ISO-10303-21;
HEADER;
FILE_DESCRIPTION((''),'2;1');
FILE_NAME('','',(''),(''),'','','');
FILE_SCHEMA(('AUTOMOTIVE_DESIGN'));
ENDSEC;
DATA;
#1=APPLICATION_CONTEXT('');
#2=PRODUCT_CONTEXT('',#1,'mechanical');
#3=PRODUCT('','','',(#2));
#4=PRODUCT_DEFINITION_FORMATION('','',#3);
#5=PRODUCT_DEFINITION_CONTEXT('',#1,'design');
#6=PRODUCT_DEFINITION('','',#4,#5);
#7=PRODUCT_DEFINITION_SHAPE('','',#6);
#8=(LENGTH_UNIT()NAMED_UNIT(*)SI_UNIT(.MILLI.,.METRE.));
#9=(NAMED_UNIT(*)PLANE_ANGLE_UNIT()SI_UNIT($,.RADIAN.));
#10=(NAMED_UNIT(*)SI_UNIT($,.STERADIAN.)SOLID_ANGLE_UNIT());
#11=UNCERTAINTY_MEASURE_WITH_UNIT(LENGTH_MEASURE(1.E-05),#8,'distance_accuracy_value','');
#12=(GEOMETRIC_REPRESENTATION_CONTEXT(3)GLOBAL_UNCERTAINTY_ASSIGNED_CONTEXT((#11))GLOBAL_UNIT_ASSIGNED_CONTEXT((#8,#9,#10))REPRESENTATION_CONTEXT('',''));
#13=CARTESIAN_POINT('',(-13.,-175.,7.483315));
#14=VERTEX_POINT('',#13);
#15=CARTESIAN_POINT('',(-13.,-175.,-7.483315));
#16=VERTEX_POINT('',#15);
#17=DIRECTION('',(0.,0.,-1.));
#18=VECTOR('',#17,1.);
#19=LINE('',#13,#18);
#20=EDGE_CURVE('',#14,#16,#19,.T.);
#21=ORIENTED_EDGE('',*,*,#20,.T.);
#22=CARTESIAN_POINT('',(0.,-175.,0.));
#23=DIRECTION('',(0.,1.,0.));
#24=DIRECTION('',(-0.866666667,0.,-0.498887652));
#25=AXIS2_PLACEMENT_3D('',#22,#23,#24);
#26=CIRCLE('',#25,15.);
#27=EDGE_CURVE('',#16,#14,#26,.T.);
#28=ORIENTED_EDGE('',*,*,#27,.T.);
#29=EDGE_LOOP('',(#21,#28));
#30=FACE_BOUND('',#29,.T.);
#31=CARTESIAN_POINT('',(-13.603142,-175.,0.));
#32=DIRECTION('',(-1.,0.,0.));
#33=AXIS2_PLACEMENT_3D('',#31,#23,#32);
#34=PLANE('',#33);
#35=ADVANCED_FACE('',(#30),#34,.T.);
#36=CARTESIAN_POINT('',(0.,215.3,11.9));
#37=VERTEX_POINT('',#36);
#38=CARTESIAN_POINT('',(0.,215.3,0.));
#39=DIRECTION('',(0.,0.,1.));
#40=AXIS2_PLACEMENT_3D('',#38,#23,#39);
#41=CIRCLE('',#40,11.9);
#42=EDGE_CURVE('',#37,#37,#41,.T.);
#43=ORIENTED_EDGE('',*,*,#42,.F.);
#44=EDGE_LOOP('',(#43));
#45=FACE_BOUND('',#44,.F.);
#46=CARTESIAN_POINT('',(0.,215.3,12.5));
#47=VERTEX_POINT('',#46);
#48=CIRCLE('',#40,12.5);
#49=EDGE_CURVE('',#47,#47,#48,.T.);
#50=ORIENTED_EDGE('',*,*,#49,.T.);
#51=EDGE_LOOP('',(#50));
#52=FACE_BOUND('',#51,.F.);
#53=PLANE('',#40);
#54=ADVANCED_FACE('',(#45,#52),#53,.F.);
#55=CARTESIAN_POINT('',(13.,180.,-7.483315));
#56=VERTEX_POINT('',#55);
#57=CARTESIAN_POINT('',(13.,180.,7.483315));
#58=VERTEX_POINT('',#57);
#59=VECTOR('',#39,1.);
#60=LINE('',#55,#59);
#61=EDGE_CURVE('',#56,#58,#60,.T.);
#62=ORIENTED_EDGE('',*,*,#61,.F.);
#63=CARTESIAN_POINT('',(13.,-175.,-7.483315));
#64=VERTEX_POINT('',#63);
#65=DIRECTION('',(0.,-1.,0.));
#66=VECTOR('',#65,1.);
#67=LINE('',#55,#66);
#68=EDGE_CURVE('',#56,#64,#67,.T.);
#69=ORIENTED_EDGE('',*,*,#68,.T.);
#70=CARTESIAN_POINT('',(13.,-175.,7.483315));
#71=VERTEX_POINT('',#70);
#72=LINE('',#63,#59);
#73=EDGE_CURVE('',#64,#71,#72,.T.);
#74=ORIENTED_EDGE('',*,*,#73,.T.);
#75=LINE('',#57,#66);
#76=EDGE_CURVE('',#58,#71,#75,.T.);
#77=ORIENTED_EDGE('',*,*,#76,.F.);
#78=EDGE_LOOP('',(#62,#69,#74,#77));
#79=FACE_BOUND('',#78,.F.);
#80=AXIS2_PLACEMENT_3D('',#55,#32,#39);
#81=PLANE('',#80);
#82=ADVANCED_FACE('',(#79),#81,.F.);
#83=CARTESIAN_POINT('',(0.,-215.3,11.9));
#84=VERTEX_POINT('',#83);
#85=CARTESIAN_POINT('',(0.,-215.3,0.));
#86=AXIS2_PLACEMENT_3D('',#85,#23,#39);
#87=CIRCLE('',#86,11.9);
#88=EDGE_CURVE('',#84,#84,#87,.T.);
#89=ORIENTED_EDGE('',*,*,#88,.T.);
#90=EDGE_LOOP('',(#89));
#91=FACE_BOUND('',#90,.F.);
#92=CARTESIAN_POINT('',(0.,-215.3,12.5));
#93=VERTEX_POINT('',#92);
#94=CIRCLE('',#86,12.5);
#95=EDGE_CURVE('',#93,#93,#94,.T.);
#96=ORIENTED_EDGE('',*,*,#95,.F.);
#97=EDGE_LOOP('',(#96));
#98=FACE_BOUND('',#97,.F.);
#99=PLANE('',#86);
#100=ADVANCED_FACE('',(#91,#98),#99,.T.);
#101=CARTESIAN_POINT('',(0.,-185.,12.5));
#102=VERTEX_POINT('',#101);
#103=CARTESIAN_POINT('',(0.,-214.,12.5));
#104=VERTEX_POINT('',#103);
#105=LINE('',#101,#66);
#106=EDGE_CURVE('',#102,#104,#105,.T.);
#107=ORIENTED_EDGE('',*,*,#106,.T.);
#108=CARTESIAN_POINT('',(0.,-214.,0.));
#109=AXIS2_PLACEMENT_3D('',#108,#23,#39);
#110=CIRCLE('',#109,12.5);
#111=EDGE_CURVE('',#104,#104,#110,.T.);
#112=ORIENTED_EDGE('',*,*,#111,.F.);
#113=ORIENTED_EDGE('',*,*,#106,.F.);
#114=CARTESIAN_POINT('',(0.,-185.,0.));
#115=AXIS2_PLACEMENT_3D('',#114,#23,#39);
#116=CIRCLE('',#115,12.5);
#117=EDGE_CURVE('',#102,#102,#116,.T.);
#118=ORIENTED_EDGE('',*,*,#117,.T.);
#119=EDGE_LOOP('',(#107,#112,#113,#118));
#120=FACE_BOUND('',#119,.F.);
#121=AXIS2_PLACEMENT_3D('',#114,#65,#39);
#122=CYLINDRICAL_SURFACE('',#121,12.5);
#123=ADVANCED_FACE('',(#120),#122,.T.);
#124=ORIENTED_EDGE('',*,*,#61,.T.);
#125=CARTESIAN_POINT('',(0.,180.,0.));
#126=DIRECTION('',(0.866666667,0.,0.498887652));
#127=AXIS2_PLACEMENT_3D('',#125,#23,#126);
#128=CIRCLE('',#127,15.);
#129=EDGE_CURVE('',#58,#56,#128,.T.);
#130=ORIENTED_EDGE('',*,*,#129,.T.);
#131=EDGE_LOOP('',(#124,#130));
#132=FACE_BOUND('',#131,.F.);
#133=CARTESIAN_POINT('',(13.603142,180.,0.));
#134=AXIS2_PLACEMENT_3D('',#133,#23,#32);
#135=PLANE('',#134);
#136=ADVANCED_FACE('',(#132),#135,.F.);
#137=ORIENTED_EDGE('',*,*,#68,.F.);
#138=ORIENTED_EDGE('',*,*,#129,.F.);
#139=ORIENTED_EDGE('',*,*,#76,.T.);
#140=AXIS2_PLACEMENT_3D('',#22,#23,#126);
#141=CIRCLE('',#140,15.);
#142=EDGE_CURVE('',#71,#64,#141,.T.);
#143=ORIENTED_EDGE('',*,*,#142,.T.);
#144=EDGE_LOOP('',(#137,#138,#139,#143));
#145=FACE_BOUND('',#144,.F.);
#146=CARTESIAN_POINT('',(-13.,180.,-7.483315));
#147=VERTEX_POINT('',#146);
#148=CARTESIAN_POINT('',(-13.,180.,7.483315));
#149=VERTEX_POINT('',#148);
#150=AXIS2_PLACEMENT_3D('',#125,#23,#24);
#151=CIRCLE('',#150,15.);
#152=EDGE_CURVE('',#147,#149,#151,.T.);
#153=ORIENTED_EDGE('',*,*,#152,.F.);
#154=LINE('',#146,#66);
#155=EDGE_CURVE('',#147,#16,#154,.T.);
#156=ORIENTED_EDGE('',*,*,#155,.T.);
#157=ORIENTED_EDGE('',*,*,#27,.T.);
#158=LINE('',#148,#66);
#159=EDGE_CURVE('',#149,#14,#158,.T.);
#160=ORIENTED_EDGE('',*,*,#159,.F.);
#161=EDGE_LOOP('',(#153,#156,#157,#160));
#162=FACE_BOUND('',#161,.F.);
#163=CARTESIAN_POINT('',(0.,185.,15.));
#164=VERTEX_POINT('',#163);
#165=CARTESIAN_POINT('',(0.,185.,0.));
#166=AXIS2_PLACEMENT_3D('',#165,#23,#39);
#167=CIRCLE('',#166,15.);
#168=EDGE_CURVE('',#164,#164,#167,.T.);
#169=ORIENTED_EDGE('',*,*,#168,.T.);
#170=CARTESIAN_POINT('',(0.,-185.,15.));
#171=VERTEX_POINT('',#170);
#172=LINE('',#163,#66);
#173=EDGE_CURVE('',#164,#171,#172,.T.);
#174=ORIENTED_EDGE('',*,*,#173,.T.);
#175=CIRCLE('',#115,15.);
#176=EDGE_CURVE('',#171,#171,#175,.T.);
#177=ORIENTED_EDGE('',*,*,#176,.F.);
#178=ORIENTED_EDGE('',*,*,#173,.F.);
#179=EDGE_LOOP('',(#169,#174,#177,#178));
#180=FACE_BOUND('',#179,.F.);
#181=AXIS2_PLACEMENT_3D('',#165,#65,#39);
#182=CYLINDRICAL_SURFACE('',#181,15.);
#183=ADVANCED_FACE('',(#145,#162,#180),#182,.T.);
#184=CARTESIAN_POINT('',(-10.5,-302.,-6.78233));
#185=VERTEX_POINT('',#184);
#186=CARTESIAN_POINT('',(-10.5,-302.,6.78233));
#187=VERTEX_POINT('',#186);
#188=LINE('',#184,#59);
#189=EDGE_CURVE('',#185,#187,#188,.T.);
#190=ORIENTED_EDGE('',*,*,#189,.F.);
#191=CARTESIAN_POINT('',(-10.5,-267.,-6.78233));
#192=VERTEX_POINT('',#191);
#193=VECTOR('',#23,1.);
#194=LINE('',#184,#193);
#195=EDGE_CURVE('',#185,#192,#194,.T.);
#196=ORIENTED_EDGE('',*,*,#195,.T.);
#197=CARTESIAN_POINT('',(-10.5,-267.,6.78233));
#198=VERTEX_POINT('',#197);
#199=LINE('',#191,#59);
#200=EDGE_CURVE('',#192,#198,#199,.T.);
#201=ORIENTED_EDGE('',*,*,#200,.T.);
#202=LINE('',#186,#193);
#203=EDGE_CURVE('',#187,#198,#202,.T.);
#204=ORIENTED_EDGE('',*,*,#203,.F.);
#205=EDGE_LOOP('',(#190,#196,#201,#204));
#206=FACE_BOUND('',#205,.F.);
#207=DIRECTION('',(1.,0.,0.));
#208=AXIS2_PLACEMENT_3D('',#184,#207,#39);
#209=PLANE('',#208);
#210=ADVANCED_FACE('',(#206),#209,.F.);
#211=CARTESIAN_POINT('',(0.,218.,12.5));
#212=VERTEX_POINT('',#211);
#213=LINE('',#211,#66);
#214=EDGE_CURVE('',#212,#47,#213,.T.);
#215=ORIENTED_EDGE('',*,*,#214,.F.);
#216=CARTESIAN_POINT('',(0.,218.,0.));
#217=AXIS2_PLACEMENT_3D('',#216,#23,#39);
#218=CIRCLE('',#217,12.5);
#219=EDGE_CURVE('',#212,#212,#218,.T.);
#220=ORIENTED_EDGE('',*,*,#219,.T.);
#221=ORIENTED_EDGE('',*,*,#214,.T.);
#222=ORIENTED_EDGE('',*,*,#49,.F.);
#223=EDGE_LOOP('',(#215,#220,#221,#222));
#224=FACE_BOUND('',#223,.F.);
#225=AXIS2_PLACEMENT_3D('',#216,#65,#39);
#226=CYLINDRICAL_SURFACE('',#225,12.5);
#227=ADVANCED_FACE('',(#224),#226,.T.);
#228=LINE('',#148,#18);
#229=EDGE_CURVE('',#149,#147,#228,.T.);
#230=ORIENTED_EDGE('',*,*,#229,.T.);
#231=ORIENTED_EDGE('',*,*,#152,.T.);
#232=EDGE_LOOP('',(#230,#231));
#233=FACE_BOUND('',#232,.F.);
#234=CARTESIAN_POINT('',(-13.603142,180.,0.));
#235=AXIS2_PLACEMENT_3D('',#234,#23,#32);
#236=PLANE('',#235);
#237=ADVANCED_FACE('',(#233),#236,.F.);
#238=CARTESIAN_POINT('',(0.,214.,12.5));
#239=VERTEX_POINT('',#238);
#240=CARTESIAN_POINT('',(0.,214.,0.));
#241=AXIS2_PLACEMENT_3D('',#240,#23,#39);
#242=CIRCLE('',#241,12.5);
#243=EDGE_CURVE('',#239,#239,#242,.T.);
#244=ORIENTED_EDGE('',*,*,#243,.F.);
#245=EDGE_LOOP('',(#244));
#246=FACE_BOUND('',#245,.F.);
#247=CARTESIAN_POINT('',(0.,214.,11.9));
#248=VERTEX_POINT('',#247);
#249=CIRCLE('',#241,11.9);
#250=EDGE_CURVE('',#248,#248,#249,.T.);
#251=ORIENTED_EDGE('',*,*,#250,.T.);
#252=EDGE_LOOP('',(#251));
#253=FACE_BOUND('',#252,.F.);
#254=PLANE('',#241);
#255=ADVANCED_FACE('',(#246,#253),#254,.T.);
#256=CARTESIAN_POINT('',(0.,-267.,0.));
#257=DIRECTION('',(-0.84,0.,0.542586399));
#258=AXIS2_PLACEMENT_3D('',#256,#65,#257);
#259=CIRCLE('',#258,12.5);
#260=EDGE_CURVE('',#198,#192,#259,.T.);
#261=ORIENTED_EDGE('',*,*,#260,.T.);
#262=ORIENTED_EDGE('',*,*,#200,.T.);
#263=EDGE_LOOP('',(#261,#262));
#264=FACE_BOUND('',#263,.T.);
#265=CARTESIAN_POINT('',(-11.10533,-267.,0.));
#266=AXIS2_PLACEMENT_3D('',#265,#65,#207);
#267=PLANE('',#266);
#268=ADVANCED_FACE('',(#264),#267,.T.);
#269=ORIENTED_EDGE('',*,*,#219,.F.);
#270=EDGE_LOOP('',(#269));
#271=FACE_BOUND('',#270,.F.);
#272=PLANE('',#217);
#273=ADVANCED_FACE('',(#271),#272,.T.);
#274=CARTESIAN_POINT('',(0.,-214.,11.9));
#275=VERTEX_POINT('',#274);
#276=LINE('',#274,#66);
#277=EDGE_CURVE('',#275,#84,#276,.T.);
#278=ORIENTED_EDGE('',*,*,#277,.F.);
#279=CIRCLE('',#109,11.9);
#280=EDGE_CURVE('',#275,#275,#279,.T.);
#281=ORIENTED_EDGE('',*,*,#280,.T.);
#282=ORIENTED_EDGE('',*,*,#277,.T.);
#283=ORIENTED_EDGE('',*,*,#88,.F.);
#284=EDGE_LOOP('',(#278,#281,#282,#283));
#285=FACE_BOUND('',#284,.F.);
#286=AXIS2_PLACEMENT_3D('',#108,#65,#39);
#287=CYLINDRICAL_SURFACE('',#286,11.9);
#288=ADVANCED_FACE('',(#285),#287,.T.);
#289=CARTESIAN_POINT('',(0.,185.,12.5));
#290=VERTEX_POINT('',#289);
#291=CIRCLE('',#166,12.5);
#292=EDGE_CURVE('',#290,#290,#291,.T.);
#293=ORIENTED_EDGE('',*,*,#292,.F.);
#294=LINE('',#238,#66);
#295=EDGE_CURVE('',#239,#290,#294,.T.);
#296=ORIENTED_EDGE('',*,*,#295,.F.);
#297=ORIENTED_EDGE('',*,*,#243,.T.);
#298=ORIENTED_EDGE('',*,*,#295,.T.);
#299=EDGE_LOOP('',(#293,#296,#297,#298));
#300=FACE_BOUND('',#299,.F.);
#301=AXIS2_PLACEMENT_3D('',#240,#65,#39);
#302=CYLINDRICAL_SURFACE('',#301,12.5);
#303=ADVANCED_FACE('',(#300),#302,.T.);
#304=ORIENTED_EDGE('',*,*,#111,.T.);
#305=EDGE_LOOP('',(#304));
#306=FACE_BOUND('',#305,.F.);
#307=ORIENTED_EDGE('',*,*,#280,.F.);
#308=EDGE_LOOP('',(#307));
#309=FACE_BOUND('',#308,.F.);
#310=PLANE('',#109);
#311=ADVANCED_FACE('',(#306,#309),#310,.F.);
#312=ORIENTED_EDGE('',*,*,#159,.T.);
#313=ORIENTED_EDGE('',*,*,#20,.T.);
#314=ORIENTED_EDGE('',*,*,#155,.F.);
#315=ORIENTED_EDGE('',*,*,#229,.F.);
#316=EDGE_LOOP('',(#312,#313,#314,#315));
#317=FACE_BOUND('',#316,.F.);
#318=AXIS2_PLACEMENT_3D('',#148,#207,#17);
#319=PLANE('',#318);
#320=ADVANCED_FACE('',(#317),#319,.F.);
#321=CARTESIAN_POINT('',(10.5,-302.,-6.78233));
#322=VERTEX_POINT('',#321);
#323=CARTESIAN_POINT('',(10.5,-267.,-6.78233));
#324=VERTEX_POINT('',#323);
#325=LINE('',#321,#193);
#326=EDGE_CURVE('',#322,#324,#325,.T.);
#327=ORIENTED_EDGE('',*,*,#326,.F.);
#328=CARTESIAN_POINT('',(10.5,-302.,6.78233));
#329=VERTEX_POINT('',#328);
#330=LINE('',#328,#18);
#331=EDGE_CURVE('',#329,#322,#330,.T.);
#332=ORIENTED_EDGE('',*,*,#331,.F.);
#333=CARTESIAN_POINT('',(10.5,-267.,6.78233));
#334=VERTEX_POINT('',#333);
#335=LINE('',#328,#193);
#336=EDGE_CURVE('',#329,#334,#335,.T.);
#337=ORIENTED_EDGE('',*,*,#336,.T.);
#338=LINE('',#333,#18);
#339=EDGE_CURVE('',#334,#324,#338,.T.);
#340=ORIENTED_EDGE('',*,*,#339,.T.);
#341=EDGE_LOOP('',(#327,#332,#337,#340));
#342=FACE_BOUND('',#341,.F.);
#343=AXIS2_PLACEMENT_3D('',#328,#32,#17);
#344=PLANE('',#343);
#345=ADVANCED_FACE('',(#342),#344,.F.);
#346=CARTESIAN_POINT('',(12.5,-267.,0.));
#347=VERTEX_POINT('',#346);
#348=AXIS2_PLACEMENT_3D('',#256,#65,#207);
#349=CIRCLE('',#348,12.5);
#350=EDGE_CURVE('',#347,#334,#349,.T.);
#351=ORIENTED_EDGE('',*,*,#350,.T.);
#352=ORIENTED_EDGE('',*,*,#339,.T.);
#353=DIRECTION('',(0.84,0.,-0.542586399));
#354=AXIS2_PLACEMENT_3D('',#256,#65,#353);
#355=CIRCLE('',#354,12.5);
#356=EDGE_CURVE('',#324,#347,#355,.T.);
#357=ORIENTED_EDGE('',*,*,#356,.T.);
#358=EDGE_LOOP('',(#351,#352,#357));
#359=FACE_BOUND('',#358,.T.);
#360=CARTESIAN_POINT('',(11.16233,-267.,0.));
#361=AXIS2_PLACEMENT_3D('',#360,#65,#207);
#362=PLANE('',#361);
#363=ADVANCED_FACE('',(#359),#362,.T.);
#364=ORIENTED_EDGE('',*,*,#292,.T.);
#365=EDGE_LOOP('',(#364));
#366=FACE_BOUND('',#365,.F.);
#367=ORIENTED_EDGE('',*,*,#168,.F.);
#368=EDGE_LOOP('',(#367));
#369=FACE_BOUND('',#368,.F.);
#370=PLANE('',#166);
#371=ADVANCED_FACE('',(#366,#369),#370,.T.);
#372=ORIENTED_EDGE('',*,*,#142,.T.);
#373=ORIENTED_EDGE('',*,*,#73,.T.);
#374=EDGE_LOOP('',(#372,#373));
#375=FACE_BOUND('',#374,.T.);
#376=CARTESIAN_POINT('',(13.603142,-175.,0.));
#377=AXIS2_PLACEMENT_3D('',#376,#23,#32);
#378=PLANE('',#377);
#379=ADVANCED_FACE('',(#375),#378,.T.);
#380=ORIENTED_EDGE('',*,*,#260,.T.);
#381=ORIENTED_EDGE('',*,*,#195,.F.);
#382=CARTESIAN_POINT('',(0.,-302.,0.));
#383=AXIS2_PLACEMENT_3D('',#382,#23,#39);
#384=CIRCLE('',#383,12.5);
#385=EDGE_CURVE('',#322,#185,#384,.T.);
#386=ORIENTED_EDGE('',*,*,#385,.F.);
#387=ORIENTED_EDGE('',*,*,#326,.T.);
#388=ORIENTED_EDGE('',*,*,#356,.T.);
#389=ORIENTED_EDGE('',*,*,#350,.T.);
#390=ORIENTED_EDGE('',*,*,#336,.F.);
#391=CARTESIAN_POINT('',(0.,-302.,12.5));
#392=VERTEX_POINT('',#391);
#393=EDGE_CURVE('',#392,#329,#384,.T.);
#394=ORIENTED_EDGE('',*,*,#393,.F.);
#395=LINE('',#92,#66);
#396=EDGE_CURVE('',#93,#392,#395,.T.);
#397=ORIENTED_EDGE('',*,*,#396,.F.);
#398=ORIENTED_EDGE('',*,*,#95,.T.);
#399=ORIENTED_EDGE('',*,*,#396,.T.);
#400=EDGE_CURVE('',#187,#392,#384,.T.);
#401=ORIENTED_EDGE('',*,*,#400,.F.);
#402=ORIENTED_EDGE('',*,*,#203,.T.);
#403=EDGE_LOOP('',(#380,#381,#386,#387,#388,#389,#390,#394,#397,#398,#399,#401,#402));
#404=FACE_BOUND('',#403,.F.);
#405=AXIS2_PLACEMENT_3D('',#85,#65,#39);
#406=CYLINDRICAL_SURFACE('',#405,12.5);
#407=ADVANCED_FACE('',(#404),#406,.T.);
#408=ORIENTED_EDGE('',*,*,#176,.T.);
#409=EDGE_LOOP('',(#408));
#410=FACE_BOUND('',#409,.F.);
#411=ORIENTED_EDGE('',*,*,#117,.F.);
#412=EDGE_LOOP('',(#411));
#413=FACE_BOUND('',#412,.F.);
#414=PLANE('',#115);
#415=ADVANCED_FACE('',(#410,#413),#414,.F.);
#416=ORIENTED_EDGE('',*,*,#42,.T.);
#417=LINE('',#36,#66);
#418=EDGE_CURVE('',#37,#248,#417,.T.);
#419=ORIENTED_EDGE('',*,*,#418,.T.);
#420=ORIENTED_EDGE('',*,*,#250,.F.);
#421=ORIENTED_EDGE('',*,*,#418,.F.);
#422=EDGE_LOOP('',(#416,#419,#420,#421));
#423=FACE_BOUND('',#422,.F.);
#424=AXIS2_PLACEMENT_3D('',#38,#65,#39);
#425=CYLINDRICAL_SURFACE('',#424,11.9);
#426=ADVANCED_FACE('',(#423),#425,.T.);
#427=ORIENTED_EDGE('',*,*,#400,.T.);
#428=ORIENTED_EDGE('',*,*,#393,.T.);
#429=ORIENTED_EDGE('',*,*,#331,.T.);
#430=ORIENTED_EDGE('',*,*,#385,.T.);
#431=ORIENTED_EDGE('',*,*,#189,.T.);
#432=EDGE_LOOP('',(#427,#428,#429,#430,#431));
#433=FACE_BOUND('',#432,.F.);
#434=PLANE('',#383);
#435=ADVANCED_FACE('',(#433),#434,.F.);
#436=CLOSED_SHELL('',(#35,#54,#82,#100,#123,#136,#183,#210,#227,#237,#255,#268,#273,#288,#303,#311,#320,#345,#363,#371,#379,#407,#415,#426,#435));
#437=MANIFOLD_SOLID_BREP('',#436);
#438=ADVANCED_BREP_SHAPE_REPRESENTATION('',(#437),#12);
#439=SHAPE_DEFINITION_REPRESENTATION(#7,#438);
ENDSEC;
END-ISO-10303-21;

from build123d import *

# Parameters (mm, degrees)
F3_DEPTH = 35
F5_START = -5
F5_DEPTH = 355


with BuildPart() as f1:
    # F0 (on Right) → F1 (revolve)
    with BuildSketch(Plane.YZ):
        Polygon((-185, 0), (-185, 12.5), (-214, 12.5), (-214, 11.9), (-215.3, 11.9), (-215.3, 12.5), (-302, 12.5), (-302, 0), align=None)
        Polygon((185, 12.5), (185, 15), (-185, 15), (-185, 12.5), (-185, 0), (185, 0), align=None)
        Polygon((214, 12.5), (185, 12.5), (185, 0), (218, 0), (218, 12.5), (215.3, 12.5), (215.3, 11.9), (214, 11.9), align=None)
    revolve(axis=Axis((0, -30.9201925993, 0), (0, 1, 0)))

    # F2 (on face) → F3 (cut)
    with BuildSketch(Plane.XZ.offset(302)):
        with BuildLine():
            Line((-10.5, -6.7823299831), (-10.5, 6.7823299831))
            ThreePointArc((-10.5, 6.7823299831), (-12.5, 0), (-10.5, -6.7823299831))
        make_face()
        with BuildLine():
            ThreePointArc((12.5, 0), (11.9895788083, 3.5355339059), (10.5, 6.7823299831))
            Line((10.5, 6.7823299831), (10.5, -6.7823299831))
            ThreePointArc((10.5, -6.7823299831), (11.9895788083, -3.5355339059), (12.5, 0))
        make_face()
    extrude(amount=-F3_DEPTH, mode=Mode.SUBTRACT)

    # F4 (on face) → F5 (cut)
    with BuildSketch(Plane(origin=(0, 185, 0), x_dir=(-1, 0, 0), z_dir=(0, 1, 0)).offset(F5_START)):
        with BuildLine():
            Line((-13, -7.4833147735), (-13, 7.4833147735))
            ThreePointArc((-13, 7.4833147735), (-15, 0), (-13, -7.4833147735))
        make_face()
        with BuildLine():
            ThreePointArc((13, -7.4833147735), (15, 0), (13, 7.4833147735))
            Line((13, 7.4833147735), (13, -7.4833147735))
        make_face()
    extrude(amount=-F5_DEPTH, mode=Mode.SUBTRACT)


solid = f1.part
